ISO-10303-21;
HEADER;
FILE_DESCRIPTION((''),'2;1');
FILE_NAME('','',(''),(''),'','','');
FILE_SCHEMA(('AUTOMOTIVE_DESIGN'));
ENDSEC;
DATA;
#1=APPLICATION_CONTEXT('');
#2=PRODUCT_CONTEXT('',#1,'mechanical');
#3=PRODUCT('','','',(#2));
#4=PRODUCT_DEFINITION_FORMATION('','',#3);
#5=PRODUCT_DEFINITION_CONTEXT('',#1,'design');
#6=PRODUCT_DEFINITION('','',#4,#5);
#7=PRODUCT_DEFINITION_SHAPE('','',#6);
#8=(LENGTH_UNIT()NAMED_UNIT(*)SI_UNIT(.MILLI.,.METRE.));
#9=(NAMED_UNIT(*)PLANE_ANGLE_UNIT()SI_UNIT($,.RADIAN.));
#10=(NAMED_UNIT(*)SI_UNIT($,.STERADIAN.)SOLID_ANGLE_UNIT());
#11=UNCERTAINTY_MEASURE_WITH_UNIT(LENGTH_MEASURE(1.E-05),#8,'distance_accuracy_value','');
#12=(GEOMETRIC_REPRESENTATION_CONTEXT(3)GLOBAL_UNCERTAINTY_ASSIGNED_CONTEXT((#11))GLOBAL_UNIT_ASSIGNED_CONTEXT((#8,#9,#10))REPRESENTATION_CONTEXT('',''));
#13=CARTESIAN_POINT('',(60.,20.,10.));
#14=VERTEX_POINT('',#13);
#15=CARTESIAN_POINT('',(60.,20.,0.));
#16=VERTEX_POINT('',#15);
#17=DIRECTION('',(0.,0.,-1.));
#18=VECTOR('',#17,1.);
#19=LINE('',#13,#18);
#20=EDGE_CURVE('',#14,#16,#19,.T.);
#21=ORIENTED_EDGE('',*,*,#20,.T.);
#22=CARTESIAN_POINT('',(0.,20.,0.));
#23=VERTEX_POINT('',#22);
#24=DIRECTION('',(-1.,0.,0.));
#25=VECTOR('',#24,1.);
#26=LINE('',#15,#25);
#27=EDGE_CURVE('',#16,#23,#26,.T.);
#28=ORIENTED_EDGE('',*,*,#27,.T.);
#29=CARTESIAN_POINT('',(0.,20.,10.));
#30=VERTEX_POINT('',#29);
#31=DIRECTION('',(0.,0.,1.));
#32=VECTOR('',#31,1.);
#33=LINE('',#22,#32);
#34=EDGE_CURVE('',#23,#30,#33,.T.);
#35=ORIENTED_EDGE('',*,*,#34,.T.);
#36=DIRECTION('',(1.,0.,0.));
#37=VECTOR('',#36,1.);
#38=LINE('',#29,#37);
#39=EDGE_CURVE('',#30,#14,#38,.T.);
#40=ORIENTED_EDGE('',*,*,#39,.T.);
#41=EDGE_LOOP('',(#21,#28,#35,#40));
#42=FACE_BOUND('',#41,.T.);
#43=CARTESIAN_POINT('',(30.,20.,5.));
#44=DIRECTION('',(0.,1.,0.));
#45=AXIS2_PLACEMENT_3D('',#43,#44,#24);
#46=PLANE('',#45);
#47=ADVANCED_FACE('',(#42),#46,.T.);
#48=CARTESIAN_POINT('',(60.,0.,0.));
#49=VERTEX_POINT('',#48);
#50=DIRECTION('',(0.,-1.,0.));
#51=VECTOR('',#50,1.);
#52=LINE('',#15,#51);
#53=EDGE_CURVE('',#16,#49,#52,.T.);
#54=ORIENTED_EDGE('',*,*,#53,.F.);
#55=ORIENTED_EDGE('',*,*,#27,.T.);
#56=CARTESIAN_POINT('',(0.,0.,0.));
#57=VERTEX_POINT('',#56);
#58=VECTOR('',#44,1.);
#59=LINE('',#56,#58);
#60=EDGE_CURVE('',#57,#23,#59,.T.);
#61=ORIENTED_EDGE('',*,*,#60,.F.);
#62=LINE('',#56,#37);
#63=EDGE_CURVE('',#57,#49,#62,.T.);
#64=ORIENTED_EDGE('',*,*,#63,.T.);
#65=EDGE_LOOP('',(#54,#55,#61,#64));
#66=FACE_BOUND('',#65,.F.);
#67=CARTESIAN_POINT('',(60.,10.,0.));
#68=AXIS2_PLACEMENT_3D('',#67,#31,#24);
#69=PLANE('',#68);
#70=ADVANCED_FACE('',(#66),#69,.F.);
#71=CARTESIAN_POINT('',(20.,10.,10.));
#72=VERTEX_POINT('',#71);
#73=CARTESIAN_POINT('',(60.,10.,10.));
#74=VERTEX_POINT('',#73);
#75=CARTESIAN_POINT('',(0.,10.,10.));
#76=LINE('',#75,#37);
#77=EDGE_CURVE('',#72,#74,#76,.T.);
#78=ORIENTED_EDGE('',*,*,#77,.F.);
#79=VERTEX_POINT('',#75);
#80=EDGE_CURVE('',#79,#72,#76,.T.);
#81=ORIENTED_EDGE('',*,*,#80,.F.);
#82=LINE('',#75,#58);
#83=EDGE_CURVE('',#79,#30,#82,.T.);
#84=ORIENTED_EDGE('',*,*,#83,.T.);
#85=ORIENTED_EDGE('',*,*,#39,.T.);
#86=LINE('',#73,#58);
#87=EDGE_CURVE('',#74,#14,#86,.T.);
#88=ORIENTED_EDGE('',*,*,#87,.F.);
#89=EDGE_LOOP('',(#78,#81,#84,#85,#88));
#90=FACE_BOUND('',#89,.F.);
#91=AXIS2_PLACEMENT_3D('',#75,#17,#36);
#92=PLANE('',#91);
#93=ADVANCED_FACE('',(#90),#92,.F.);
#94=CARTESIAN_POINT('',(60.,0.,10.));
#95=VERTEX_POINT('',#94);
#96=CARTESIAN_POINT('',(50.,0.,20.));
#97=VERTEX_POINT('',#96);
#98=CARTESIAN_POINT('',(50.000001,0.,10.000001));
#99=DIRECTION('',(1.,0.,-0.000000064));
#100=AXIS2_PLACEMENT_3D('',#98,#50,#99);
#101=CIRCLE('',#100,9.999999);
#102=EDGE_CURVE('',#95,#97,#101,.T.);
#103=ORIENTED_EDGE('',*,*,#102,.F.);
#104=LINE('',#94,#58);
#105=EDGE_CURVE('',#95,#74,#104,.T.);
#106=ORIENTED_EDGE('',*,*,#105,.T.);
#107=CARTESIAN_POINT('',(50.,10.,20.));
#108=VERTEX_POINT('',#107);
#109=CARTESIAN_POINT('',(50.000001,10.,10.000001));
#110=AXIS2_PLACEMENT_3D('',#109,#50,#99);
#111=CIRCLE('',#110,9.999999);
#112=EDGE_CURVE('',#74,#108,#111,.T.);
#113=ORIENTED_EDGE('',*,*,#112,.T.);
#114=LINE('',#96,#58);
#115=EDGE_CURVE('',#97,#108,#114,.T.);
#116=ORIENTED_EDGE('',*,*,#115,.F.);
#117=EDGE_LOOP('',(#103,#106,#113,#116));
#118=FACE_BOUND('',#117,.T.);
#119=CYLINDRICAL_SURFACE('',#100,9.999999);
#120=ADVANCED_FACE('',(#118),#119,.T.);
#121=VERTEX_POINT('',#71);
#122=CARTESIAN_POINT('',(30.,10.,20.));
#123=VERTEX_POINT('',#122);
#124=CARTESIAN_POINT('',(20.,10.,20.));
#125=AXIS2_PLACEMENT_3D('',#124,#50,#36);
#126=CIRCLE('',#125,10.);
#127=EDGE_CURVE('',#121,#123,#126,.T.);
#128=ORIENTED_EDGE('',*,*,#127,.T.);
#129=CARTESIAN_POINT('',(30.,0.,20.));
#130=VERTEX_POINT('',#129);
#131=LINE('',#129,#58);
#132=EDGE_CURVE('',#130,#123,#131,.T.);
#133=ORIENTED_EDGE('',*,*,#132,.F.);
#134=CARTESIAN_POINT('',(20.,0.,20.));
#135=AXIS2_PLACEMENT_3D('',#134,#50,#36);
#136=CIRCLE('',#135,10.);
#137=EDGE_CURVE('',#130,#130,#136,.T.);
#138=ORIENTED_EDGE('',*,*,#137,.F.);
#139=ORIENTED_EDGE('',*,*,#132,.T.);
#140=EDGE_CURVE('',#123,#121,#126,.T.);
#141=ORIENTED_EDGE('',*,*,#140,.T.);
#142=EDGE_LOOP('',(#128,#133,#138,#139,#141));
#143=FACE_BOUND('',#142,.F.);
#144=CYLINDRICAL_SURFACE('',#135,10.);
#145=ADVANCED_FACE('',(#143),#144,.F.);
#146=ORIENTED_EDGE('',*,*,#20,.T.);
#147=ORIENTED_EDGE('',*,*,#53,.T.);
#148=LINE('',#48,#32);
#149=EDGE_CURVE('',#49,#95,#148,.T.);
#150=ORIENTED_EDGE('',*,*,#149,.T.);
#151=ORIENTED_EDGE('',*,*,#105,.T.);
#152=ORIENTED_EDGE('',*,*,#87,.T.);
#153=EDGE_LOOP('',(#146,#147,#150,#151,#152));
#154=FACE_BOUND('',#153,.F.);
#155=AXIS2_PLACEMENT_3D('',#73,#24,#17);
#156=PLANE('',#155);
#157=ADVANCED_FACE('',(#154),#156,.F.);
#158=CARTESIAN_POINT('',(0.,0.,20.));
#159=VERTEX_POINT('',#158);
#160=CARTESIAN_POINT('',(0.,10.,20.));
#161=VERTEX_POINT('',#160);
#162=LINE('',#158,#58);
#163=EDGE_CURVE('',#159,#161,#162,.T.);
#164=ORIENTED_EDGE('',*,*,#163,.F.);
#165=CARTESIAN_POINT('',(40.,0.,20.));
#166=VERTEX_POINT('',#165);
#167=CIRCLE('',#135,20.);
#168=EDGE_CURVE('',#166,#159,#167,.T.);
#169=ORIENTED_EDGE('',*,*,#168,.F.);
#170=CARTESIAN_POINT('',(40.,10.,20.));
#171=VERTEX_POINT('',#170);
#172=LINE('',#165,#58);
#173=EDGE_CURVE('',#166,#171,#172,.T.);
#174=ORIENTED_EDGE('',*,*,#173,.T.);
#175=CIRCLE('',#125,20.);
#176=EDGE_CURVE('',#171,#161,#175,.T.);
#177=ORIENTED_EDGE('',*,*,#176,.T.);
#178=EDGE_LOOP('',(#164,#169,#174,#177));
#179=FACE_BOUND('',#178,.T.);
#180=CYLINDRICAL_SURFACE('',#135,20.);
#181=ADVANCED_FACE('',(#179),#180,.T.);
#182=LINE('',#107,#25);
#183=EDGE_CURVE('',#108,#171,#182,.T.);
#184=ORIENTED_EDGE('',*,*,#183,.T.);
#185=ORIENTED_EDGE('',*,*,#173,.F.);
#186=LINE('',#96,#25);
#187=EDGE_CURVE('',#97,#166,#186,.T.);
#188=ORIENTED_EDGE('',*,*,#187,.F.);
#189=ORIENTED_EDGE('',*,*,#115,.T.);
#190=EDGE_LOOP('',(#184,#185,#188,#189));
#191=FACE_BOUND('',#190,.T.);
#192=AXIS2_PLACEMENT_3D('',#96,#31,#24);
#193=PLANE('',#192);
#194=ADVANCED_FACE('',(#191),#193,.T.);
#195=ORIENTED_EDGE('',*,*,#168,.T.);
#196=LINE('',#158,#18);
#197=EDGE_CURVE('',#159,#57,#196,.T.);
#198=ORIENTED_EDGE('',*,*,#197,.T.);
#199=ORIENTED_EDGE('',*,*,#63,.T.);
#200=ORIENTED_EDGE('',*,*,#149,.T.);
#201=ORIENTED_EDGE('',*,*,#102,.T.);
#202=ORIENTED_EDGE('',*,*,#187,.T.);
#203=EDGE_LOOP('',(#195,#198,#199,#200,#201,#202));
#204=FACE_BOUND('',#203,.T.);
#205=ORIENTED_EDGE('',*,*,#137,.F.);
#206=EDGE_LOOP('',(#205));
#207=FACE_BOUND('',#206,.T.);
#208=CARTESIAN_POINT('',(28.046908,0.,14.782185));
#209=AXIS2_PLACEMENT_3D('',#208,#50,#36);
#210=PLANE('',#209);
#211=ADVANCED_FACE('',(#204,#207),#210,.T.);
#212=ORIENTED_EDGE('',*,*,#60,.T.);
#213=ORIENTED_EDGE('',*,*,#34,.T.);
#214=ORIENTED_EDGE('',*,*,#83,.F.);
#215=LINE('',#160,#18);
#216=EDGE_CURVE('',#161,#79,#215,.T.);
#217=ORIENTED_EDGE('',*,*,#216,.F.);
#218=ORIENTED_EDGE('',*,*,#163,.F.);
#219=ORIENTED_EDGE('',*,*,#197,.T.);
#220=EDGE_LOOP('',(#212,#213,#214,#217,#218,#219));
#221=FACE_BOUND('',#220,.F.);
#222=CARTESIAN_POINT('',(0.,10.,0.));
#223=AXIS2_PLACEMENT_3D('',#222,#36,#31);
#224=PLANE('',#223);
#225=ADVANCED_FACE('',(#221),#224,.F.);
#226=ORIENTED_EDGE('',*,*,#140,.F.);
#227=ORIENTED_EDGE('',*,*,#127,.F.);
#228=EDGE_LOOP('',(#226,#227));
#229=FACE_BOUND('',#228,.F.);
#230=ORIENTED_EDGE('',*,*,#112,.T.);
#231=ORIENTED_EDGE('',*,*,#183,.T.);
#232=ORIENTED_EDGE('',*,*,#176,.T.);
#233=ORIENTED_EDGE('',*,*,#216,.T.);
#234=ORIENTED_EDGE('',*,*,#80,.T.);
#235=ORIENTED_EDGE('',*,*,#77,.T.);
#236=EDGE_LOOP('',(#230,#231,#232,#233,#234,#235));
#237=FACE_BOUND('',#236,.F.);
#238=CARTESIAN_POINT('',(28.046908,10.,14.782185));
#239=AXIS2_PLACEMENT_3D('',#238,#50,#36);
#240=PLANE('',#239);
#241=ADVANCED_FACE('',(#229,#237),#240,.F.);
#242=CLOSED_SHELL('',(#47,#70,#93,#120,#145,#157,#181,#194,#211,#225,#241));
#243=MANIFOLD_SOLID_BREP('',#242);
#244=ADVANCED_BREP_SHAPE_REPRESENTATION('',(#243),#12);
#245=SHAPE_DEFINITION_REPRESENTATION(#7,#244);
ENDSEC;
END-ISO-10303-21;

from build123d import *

# Parameters (mm, degrees)
F0_R     = 10
F1_DEPTH = 10
F3_DEPTH = 10


with BuildPart() as f1:
    # F0 (on Front) → F1 (new body)
    with BuildSketch(Plane.XZ):
        with BuildLine():
            Line((0, 20), (0, 0))
            Line((0, 0), (20, 0))
            Line((20, 0), (60, 0))
            Line((60, 0), (60, 10))
            ThreePointArc((60, 10), (57.071068, 17.071068), (50, 20))
            Line((50, 20), (40, 20))
            ThreePointArc((40, 20), (20, 40), (0, 20))
        make_face()
        with Locations((20, 20)):
            Circle(F0_R, mode=Mode.SUBTRACT)
    extrude(amount=-F1_DEPTH)

    # F2 (on face) → F3 (join)
    with BuildSketch(Plane(origin=(0, 10, 0), x_dir=(-1, 0, 0), z_dir=(0, 1, 0))):
        Polygon((-60, 0), (0, 0), (0, 10), (-20, 10), (-60, 10), align=None)
    extrude(amount=F3_DEPTH)


solid = f1.part
